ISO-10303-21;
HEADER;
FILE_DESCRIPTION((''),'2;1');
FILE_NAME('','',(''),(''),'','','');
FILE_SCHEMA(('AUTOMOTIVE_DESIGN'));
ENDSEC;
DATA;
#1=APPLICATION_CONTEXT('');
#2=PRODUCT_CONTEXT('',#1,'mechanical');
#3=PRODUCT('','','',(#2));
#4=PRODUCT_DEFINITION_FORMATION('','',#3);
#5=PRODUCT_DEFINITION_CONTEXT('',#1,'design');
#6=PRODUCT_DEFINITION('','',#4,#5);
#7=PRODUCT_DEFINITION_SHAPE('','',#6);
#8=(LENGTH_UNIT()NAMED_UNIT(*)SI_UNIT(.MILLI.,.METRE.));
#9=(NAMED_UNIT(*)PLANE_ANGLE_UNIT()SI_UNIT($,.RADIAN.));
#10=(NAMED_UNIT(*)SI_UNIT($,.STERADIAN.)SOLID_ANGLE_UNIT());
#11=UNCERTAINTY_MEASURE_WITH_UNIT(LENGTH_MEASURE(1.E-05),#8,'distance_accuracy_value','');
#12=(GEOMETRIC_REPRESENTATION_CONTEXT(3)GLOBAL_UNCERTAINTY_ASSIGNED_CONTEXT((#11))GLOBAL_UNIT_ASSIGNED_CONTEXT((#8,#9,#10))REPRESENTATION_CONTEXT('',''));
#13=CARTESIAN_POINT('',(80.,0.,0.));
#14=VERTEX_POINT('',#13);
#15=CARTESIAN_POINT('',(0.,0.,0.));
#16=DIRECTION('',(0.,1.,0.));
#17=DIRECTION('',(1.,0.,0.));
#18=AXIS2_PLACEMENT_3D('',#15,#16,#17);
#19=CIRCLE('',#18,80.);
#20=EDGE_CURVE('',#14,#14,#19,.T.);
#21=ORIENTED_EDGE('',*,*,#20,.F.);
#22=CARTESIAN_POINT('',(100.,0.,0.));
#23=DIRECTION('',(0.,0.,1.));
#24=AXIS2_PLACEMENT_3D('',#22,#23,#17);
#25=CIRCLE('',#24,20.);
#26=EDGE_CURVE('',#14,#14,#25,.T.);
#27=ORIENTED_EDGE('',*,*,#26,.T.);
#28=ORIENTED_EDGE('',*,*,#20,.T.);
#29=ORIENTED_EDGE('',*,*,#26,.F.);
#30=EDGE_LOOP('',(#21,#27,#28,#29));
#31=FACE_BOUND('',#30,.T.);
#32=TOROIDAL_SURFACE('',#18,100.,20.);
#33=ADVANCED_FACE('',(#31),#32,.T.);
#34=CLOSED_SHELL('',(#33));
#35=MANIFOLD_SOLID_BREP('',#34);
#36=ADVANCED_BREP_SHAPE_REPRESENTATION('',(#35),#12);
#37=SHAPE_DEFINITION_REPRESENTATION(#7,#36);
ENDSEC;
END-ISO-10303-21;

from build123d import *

# Parameters (mm, degrees)
SWEEP_1_PROFILE_R = 20


with BuildPart() as part:
    # 扫描1: sweep along a path in 草图1
    with BuildLine(Plane(origin=(0, 0, 0), x_dir=(1, 0, 0), z_dir=(0, 1, 0))) as sweep_1_path:
        CenterArc((0, 0), 100, 0, 360)
    # 扫描1 profile (on start of the path) → 扫描1 (sweep)
    with BuildSketch(Plane(origin=(100, 0, 0), x_dir=(-1, 0, 0), z_dir=(0, 0, -1))):
        Circle(SWEEP_1_PROFILE_R)
    sweep(path=sweep_1_path.line)


solid = part.part
